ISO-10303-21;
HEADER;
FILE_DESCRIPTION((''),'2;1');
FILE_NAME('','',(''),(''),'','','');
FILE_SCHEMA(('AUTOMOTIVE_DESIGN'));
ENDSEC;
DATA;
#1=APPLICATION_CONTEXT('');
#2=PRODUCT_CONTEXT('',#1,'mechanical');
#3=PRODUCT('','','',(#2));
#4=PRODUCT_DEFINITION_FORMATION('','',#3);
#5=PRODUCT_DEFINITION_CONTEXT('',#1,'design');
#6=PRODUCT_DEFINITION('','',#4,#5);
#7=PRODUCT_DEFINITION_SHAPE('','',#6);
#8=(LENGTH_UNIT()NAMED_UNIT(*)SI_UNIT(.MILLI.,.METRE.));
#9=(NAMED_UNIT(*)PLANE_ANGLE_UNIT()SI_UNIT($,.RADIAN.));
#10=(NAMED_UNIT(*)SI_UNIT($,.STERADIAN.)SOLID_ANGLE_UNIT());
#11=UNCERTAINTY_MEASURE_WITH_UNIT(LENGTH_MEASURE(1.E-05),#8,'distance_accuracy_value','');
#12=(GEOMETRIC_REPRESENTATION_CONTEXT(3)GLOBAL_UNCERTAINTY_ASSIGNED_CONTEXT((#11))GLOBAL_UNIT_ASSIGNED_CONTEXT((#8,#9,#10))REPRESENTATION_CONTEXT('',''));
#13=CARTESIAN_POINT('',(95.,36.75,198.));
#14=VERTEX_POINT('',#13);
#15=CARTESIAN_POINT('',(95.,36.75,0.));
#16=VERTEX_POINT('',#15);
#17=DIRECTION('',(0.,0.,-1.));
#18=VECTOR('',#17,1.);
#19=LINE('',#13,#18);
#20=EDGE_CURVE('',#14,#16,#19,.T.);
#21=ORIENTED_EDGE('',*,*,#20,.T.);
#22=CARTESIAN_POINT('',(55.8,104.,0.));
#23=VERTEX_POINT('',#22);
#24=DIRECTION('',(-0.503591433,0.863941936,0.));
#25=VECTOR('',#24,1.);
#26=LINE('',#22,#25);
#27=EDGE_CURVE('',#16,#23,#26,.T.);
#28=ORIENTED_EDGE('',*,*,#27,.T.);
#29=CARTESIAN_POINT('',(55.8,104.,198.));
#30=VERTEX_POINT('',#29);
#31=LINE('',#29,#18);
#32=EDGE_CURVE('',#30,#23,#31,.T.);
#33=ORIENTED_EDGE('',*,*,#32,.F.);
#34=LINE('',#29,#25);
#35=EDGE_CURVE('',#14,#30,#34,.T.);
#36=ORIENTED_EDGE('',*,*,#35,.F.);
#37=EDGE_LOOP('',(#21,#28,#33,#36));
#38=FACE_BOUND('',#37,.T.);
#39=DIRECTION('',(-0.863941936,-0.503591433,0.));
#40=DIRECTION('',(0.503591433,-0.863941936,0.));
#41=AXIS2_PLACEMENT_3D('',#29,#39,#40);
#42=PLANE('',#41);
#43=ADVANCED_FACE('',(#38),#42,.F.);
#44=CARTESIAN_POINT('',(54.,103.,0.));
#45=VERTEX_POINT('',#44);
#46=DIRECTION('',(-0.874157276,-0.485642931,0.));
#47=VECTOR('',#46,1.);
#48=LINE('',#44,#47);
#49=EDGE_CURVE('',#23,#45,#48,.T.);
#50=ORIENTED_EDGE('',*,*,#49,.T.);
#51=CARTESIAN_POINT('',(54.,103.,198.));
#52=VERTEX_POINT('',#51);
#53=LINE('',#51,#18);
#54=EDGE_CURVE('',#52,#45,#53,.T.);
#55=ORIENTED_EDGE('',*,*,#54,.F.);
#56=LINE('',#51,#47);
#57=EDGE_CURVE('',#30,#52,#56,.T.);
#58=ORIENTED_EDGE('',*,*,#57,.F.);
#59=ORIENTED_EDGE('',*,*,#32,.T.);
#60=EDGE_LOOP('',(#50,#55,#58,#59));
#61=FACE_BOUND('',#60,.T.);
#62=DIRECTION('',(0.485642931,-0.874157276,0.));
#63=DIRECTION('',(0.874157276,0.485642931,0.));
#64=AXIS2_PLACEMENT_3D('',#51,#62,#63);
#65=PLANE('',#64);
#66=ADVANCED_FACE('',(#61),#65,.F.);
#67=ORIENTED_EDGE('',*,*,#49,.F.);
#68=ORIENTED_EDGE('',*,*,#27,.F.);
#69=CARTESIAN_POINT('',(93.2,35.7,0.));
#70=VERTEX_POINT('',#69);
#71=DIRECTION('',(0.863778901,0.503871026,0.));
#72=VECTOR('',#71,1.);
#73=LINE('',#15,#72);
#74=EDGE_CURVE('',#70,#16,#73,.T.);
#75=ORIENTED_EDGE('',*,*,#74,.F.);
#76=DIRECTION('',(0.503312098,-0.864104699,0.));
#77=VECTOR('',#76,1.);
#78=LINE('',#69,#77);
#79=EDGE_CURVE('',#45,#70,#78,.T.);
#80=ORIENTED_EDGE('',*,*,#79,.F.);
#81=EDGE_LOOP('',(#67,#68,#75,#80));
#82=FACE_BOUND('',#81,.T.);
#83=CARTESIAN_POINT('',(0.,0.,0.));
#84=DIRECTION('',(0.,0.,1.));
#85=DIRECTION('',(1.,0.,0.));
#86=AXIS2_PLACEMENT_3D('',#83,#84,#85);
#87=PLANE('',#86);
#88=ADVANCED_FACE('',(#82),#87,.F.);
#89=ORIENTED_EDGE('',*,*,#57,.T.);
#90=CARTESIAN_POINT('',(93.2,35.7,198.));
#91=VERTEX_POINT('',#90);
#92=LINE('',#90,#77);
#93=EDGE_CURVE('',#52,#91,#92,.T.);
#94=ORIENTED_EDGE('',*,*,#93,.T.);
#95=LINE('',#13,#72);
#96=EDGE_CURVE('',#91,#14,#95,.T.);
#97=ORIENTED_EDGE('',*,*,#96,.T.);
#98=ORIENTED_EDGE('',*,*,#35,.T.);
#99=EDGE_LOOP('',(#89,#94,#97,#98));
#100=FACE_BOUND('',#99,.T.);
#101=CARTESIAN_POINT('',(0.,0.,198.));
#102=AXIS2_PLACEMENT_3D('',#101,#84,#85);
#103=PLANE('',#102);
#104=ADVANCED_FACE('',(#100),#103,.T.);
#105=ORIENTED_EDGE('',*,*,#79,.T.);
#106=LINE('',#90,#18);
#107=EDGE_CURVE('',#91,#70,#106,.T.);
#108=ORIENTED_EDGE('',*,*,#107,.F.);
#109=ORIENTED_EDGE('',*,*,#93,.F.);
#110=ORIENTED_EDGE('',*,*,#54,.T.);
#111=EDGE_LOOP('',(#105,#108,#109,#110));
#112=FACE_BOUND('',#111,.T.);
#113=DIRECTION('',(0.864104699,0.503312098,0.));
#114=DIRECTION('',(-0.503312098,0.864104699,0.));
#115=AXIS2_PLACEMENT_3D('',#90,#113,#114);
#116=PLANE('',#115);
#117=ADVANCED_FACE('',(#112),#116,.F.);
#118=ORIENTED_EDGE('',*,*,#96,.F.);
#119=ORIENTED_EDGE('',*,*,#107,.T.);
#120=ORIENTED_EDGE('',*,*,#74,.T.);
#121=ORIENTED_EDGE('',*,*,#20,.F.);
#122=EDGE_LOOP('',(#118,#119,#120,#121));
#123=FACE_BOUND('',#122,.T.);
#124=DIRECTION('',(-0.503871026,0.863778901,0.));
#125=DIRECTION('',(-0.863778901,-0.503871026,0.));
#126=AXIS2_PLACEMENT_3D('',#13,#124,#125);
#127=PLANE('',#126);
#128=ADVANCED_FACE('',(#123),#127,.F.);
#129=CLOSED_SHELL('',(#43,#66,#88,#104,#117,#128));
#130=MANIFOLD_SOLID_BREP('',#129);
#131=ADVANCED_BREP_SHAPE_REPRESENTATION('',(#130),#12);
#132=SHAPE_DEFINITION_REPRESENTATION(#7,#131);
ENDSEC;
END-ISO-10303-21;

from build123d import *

# Parameters (mm, degrees)
SLOPING_ELECTRONICS_BULKHEAD_DEPTH = 198


with BuildPart() as part:
    # Sloping electronics bulkhead profile → Sloping electronics bulkhead (new body)
    with BuildSketch(Plane.XY):
        Polygon((54, 103), (55.8, 104), (95, 36.75), (93.2, 35.7), align=None)
    extrude(amount=SLOPING_ELECTRONICS_BULKHEAD_DEPTH)


solid = part.part
